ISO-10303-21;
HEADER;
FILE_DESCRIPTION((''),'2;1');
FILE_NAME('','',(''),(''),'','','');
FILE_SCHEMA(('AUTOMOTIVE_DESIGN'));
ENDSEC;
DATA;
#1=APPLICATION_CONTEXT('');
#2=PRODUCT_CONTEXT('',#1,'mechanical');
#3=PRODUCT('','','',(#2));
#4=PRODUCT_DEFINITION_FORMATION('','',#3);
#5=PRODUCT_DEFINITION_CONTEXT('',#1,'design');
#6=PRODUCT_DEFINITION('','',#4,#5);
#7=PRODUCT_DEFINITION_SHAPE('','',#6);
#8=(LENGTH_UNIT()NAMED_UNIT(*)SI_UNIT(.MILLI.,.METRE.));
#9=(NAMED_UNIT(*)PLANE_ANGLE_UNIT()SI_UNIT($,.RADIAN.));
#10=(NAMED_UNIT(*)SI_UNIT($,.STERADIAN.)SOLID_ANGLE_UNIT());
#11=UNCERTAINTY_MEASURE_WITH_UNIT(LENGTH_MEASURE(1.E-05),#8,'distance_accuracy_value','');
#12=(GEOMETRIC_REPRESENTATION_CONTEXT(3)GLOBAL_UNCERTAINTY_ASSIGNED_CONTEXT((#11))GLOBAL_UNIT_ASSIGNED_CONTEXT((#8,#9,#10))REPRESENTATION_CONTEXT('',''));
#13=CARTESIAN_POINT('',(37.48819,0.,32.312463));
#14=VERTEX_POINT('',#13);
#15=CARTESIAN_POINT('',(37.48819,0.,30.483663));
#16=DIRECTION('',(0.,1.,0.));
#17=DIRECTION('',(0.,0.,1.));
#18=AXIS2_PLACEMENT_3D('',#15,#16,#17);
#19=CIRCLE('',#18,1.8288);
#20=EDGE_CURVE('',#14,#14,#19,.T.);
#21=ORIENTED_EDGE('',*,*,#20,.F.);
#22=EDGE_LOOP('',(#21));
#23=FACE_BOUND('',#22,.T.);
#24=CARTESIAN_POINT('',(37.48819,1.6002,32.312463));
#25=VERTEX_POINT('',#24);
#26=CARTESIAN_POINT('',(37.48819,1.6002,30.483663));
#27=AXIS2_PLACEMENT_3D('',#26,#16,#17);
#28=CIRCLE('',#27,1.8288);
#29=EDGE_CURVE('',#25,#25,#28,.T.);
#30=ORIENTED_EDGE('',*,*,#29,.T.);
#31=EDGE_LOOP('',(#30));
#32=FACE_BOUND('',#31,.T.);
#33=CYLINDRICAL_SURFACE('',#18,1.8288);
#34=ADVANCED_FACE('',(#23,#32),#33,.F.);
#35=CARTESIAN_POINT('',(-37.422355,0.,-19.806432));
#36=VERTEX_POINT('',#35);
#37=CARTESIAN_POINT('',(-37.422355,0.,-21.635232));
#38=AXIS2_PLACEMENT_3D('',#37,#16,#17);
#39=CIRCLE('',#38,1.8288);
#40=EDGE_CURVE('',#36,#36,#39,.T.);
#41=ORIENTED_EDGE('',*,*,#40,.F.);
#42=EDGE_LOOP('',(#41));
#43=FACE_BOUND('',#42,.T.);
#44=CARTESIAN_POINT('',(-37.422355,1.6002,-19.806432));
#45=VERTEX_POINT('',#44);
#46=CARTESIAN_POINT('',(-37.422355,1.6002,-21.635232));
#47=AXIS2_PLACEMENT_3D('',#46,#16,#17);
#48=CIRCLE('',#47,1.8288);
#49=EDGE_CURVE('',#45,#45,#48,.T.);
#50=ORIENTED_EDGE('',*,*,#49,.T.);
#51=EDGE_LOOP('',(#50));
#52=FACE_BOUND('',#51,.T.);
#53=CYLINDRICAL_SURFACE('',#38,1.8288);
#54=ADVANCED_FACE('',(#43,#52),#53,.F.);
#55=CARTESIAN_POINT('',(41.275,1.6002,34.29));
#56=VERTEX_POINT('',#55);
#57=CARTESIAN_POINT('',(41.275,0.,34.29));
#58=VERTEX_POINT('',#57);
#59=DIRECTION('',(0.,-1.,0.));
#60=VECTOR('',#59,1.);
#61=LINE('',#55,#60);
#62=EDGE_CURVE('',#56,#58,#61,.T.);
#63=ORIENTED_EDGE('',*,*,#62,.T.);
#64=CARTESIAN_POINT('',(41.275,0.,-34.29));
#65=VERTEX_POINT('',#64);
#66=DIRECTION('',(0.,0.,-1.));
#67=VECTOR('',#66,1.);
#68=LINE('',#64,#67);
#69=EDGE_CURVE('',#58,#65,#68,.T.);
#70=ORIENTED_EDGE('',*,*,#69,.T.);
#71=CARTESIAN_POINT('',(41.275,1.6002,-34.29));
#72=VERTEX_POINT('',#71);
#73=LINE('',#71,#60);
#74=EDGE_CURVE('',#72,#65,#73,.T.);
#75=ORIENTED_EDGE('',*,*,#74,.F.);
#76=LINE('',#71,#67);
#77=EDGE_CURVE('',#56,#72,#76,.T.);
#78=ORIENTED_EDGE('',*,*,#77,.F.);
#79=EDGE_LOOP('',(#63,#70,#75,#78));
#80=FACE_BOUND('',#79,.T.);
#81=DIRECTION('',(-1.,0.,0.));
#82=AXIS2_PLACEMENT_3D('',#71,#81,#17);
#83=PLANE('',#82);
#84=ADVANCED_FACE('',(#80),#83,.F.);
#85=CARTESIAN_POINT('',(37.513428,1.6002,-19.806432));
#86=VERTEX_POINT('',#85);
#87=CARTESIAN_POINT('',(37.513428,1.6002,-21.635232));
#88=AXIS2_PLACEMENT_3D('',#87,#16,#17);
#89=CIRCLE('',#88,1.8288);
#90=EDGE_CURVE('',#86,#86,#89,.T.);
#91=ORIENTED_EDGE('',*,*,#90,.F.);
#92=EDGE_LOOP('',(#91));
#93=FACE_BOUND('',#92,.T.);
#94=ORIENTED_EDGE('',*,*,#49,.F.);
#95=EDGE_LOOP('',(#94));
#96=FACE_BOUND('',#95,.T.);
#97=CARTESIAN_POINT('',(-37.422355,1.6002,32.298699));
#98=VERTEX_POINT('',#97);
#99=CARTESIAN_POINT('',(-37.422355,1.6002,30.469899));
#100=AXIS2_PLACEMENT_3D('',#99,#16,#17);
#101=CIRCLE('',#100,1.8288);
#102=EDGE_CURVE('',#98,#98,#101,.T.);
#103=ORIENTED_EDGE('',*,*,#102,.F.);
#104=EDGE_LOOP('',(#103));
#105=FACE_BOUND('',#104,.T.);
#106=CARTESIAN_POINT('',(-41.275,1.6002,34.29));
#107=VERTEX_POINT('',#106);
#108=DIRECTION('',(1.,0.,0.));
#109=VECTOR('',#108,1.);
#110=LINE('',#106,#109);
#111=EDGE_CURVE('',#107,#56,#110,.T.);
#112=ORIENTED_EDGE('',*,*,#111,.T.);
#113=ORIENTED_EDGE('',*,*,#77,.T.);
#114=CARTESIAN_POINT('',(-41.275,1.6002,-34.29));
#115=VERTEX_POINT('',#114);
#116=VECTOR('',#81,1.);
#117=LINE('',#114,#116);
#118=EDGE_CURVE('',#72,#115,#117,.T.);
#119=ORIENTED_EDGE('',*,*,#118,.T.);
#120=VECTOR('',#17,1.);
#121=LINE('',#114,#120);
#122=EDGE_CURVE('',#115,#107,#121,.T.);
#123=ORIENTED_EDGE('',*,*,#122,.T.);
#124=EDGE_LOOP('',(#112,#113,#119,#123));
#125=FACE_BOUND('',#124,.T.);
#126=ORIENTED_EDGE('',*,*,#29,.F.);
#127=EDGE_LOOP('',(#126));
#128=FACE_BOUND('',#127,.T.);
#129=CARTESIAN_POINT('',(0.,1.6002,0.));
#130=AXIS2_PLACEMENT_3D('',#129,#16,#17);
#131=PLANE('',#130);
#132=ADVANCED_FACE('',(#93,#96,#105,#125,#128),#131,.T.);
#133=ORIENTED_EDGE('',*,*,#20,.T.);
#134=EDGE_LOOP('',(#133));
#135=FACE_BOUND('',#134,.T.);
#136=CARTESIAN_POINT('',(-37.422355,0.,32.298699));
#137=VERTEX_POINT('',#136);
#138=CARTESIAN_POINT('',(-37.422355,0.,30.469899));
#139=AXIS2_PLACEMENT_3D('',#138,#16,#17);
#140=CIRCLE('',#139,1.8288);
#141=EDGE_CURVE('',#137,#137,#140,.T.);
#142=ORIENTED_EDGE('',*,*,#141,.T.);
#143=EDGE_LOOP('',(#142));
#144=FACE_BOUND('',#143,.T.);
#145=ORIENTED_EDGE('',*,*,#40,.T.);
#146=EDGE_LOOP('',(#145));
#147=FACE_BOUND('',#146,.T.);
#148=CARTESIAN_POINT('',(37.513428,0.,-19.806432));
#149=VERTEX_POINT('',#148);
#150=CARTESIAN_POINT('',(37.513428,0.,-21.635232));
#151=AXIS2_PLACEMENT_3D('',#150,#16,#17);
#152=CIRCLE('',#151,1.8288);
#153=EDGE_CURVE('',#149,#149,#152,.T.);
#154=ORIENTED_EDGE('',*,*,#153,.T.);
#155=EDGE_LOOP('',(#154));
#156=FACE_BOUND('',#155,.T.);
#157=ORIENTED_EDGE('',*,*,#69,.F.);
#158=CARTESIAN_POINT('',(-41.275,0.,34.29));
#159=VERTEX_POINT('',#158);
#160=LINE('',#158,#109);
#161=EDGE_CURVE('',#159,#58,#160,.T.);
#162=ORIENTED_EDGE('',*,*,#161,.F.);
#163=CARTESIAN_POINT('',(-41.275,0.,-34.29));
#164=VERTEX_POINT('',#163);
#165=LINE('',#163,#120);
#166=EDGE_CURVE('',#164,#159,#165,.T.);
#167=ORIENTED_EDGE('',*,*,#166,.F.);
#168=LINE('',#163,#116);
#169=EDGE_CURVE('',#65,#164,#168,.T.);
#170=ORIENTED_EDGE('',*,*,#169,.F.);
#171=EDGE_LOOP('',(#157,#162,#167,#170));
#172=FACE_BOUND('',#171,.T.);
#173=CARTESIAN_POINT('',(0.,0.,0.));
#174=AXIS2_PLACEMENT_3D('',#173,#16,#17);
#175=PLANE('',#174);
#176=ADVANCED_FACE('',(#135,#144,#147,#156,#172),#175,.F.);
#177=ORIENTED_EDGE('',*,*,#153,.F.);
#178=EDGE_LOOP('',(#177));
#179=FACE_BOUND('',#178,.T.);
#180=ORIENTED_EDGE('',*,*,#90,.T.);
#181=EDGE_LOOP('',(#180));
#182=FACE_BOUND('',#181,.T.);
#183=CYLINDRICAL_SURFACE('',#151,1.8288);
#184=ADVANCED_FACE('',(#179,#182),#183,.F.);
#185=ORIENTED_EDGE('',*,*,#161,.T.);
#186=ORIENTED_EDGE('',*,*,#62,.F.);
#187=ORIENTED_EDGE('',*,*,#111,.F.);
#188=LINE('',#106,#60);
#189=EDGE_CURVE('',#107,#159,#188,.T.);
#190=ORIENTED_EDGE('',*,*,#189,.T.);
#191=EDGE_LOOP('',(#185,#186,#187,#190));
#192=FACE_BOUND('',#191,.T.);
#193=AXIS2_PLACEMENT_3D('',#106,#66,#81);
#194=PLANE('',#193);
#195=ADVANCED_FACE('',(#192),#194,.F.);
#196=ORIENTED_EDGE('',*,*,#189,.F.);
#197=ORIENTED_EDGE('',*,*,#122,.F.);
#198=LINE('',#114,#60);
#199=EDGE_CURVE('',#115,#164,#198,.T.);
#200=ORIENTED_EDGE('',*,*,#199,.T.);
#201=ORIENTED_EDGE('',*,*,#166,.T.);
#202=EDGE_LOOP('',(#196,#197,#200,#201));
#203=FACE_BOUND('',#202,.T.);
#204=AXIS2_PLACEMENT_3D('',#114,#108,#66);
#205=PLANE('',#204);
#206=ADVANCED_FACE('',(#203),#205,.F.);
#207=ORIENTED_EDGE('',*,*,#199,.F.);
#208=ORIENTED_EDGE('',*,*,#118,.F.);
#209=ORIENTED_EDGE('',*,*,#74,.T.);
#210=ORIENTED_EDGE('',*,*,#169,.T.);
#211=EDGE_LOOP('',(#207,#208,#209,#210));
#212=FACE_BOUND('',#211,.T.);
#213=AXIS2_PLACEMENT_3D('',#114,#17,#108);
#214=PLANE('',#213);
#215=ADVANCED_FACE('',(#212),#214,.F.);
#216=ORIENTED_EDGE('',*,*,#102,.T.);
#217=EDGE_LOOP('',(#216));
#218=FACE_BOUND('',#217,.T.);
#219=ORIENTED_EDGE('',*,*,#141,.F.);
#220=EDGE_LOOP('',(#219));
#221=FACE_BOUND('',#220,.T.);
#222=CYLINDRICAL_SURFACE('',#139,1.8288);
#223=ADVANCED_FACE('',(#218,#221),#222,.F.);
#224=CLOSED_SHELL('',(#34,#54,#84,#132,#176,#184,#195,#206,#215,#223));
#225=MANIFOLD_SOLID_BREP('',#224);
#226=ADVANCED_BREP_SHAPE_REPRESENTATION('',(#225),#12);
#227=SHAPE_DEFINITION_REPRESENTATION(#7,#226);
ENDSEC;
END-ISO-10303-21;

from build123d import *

# Parameters (mm, degrees)
SKETCH1_W           = 82.55
SKETCH1_H           = 68.58
BOSS_EXTRUDE1_DEPTH = 1.6002
SKETCH2_R           = 1.8288
CUT_EXTRUDE1_DEPTH  = 54.684172389
SKETCH3_R           = 1.8288
CUT_EXTRUDE2_DEPTH  = 54.684172389


with BuildPart() as part:
    # Sketch1 → Boss-Extrude1 (new body)
    with BuildSketch(Plane(origin=(0, 0, 0), x_dir=(1, 0, 0), z_dir=(0, 1, 0))):
        Rectangle(SKETCH1_W, SKETCH1_H)
    extrude(amount=BOSS_EXTRUDE1_DEPTH)

    # Sketch2 → Cut-Extrude1 (cut, through all)
    with BuildSketch(Plane(origin=(0, 1.6002, 0), x_dir=(1, 0, 0), z_dir=(0, 1, 0))):
        with Locations(Location((37.488189645, -30.483662755, 0), (0, 0, 270))):
            Circle(SKETCH2_R)
    extrude(amount=-CUT_EXTRUDE1_DEPTH, mode=Mode.SUBTRACT)

    # Sketch3 → Cut-Extrude2 (cut, through all)
    with BuildSketch(Plane(origin=(0, 1.6002, 0), x_dir=(1, 0, 0), z_dir=(0, 1, 0))):
        with Locations(Location((37.513427585, 21.635232225, 0), (0, 0, 270))):
            Circle(SKETCH3_R)
        with Locations(Location((-37.422354938, 21.635232225, 0), (0, 0, 270))):
            Circle(SKETCH3_R)
        with Locations(Location((-37.422354938, -30.469898661, 0), (0, 0, 270))):
            Circle(SKETCH3_R)
    extrude(amount=-CUT_EXTRUDE2_DEPTH, mode=Mode.SUBTRACT)


solid = part.part
